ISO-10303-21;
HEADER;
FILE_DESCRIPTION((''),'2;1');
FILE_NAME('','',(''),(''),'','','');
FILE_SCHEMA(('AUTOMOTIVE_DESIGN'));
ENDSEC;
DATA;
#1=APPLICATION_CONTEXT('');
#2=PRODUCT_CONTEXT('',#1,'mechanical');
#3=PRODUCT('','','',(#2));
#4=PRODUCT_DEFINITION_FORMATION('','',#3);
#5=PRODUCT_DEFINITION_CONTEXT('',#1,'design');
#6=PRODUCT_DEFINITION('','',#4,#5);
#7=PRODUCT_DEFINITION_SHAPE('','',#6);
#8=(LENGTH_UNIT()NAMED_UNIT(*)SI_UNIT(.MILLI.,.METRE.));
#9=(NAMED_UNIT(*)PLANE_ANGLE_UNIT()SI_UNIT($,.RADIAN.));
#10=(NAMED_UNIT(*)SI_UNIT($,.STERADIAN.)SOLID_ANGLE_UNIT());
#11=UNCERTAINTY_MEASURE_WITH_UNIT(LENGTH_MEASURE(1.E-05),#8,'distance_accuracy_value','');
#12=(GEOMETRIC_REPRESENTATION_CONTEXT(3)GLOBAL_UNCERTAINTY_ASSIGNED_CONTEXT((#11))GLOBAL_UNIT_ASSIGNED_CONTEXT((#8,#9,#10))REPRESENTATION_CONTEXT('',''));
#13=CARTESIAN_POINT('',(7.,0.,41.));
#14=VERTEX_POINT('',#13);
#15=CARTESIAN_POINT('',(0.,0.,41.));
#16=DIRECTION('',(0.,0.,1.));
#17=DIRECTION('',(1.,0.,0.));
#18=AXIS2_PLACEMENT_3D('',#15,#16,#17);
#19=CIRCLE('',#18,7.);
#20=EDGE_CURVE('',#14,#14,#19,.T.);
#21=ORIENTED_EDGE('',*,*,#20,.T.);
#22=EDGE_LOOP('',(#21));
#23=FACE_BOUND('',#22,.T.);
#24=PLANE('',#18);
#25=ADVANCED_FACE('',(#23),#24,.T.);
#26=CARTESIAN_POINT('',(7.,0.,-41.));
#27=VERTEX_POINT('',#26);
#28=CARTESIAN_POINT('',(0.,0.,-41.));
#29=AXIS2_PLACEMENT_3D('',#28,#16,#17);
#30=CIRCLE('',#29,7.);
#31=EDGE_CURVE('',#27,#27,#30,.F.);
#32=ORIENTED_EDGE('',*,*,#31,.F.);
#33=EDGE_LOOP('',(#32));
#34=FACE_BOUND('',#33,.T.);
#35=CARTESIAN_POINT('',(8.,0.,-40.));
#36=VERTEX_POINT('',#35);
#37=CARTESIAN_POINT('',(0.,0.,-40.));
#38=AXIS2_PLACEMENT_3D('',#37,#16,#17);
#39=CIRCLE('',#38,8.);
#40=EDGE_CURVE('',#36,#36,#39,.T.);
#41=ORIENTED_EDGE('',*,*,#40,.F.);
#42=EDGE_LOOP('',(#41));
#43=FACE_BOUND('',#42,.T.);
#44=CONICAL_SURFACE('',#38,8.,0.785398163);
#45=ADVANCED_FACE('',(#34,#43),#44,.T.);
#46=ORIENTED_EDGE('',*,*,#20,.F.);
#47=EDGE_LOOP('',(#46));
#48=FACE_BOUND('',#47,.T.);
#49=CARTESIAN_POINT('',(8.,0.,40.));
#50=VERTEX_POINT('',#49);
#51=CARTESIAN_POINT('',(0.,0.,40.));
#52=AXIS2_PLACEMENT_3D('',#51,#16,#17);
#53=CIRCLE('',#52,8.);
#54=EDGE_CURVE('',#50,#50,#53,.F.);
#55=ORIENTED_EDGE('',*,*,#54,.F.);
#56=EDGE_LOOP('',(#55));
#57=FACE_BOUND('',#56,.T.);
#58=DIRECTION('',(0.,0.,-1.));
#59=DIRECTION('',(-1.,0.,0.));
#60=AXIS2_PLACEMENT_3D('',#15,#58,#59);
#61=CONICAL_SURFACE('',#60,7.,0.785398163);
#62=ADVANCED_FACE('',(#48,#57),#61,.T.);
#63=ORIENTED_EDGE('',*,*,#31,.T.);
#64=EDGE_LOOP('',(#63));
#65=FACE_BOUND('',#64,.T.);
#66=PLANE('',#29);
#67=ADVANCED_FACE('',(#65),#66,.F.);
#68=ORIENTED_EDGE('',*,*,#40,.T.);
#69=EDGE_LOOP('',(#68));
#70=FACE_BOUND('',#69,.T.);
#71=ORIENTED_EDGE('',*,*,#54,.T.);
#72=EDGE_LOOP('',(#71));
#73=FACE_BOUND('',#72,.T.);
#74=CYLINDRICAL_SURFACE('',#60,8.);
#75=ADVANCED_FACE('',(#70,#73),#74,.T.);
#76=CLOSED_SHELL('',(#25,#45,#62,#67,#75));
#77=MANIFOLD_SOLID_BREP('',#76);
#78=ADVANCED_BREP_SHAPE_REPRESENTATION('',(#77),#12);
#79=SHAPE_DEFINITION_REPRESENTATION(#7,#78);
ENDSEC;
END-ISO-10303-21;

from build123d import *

# Parameters (mm, degrees)
SKETCH2_R           = 8
BOSS_EXTRUDE1_DEPTH = 41
CHAMFER1_SIZE       = 1


with BuildPart() as part:
    # Sketch2 → Boss-Extrude1 (new body, symmetric)
    with BuildSketch(Plane.XY):
        Circle(SKETCH2_R)
    extrude(amount=BOSS_EXTRUDE1_DEPTH, both=True)

    # Chamfer1
    chamfer1_edges = [part.edges().sort_by_distance(p)[0] for p in [
        (-8, 0, -41),
        (-8, 0, 41),
    ]]
    chamfer(chamfer1_edges, length=CHAMFER1_SIZE)


solid = part.part
